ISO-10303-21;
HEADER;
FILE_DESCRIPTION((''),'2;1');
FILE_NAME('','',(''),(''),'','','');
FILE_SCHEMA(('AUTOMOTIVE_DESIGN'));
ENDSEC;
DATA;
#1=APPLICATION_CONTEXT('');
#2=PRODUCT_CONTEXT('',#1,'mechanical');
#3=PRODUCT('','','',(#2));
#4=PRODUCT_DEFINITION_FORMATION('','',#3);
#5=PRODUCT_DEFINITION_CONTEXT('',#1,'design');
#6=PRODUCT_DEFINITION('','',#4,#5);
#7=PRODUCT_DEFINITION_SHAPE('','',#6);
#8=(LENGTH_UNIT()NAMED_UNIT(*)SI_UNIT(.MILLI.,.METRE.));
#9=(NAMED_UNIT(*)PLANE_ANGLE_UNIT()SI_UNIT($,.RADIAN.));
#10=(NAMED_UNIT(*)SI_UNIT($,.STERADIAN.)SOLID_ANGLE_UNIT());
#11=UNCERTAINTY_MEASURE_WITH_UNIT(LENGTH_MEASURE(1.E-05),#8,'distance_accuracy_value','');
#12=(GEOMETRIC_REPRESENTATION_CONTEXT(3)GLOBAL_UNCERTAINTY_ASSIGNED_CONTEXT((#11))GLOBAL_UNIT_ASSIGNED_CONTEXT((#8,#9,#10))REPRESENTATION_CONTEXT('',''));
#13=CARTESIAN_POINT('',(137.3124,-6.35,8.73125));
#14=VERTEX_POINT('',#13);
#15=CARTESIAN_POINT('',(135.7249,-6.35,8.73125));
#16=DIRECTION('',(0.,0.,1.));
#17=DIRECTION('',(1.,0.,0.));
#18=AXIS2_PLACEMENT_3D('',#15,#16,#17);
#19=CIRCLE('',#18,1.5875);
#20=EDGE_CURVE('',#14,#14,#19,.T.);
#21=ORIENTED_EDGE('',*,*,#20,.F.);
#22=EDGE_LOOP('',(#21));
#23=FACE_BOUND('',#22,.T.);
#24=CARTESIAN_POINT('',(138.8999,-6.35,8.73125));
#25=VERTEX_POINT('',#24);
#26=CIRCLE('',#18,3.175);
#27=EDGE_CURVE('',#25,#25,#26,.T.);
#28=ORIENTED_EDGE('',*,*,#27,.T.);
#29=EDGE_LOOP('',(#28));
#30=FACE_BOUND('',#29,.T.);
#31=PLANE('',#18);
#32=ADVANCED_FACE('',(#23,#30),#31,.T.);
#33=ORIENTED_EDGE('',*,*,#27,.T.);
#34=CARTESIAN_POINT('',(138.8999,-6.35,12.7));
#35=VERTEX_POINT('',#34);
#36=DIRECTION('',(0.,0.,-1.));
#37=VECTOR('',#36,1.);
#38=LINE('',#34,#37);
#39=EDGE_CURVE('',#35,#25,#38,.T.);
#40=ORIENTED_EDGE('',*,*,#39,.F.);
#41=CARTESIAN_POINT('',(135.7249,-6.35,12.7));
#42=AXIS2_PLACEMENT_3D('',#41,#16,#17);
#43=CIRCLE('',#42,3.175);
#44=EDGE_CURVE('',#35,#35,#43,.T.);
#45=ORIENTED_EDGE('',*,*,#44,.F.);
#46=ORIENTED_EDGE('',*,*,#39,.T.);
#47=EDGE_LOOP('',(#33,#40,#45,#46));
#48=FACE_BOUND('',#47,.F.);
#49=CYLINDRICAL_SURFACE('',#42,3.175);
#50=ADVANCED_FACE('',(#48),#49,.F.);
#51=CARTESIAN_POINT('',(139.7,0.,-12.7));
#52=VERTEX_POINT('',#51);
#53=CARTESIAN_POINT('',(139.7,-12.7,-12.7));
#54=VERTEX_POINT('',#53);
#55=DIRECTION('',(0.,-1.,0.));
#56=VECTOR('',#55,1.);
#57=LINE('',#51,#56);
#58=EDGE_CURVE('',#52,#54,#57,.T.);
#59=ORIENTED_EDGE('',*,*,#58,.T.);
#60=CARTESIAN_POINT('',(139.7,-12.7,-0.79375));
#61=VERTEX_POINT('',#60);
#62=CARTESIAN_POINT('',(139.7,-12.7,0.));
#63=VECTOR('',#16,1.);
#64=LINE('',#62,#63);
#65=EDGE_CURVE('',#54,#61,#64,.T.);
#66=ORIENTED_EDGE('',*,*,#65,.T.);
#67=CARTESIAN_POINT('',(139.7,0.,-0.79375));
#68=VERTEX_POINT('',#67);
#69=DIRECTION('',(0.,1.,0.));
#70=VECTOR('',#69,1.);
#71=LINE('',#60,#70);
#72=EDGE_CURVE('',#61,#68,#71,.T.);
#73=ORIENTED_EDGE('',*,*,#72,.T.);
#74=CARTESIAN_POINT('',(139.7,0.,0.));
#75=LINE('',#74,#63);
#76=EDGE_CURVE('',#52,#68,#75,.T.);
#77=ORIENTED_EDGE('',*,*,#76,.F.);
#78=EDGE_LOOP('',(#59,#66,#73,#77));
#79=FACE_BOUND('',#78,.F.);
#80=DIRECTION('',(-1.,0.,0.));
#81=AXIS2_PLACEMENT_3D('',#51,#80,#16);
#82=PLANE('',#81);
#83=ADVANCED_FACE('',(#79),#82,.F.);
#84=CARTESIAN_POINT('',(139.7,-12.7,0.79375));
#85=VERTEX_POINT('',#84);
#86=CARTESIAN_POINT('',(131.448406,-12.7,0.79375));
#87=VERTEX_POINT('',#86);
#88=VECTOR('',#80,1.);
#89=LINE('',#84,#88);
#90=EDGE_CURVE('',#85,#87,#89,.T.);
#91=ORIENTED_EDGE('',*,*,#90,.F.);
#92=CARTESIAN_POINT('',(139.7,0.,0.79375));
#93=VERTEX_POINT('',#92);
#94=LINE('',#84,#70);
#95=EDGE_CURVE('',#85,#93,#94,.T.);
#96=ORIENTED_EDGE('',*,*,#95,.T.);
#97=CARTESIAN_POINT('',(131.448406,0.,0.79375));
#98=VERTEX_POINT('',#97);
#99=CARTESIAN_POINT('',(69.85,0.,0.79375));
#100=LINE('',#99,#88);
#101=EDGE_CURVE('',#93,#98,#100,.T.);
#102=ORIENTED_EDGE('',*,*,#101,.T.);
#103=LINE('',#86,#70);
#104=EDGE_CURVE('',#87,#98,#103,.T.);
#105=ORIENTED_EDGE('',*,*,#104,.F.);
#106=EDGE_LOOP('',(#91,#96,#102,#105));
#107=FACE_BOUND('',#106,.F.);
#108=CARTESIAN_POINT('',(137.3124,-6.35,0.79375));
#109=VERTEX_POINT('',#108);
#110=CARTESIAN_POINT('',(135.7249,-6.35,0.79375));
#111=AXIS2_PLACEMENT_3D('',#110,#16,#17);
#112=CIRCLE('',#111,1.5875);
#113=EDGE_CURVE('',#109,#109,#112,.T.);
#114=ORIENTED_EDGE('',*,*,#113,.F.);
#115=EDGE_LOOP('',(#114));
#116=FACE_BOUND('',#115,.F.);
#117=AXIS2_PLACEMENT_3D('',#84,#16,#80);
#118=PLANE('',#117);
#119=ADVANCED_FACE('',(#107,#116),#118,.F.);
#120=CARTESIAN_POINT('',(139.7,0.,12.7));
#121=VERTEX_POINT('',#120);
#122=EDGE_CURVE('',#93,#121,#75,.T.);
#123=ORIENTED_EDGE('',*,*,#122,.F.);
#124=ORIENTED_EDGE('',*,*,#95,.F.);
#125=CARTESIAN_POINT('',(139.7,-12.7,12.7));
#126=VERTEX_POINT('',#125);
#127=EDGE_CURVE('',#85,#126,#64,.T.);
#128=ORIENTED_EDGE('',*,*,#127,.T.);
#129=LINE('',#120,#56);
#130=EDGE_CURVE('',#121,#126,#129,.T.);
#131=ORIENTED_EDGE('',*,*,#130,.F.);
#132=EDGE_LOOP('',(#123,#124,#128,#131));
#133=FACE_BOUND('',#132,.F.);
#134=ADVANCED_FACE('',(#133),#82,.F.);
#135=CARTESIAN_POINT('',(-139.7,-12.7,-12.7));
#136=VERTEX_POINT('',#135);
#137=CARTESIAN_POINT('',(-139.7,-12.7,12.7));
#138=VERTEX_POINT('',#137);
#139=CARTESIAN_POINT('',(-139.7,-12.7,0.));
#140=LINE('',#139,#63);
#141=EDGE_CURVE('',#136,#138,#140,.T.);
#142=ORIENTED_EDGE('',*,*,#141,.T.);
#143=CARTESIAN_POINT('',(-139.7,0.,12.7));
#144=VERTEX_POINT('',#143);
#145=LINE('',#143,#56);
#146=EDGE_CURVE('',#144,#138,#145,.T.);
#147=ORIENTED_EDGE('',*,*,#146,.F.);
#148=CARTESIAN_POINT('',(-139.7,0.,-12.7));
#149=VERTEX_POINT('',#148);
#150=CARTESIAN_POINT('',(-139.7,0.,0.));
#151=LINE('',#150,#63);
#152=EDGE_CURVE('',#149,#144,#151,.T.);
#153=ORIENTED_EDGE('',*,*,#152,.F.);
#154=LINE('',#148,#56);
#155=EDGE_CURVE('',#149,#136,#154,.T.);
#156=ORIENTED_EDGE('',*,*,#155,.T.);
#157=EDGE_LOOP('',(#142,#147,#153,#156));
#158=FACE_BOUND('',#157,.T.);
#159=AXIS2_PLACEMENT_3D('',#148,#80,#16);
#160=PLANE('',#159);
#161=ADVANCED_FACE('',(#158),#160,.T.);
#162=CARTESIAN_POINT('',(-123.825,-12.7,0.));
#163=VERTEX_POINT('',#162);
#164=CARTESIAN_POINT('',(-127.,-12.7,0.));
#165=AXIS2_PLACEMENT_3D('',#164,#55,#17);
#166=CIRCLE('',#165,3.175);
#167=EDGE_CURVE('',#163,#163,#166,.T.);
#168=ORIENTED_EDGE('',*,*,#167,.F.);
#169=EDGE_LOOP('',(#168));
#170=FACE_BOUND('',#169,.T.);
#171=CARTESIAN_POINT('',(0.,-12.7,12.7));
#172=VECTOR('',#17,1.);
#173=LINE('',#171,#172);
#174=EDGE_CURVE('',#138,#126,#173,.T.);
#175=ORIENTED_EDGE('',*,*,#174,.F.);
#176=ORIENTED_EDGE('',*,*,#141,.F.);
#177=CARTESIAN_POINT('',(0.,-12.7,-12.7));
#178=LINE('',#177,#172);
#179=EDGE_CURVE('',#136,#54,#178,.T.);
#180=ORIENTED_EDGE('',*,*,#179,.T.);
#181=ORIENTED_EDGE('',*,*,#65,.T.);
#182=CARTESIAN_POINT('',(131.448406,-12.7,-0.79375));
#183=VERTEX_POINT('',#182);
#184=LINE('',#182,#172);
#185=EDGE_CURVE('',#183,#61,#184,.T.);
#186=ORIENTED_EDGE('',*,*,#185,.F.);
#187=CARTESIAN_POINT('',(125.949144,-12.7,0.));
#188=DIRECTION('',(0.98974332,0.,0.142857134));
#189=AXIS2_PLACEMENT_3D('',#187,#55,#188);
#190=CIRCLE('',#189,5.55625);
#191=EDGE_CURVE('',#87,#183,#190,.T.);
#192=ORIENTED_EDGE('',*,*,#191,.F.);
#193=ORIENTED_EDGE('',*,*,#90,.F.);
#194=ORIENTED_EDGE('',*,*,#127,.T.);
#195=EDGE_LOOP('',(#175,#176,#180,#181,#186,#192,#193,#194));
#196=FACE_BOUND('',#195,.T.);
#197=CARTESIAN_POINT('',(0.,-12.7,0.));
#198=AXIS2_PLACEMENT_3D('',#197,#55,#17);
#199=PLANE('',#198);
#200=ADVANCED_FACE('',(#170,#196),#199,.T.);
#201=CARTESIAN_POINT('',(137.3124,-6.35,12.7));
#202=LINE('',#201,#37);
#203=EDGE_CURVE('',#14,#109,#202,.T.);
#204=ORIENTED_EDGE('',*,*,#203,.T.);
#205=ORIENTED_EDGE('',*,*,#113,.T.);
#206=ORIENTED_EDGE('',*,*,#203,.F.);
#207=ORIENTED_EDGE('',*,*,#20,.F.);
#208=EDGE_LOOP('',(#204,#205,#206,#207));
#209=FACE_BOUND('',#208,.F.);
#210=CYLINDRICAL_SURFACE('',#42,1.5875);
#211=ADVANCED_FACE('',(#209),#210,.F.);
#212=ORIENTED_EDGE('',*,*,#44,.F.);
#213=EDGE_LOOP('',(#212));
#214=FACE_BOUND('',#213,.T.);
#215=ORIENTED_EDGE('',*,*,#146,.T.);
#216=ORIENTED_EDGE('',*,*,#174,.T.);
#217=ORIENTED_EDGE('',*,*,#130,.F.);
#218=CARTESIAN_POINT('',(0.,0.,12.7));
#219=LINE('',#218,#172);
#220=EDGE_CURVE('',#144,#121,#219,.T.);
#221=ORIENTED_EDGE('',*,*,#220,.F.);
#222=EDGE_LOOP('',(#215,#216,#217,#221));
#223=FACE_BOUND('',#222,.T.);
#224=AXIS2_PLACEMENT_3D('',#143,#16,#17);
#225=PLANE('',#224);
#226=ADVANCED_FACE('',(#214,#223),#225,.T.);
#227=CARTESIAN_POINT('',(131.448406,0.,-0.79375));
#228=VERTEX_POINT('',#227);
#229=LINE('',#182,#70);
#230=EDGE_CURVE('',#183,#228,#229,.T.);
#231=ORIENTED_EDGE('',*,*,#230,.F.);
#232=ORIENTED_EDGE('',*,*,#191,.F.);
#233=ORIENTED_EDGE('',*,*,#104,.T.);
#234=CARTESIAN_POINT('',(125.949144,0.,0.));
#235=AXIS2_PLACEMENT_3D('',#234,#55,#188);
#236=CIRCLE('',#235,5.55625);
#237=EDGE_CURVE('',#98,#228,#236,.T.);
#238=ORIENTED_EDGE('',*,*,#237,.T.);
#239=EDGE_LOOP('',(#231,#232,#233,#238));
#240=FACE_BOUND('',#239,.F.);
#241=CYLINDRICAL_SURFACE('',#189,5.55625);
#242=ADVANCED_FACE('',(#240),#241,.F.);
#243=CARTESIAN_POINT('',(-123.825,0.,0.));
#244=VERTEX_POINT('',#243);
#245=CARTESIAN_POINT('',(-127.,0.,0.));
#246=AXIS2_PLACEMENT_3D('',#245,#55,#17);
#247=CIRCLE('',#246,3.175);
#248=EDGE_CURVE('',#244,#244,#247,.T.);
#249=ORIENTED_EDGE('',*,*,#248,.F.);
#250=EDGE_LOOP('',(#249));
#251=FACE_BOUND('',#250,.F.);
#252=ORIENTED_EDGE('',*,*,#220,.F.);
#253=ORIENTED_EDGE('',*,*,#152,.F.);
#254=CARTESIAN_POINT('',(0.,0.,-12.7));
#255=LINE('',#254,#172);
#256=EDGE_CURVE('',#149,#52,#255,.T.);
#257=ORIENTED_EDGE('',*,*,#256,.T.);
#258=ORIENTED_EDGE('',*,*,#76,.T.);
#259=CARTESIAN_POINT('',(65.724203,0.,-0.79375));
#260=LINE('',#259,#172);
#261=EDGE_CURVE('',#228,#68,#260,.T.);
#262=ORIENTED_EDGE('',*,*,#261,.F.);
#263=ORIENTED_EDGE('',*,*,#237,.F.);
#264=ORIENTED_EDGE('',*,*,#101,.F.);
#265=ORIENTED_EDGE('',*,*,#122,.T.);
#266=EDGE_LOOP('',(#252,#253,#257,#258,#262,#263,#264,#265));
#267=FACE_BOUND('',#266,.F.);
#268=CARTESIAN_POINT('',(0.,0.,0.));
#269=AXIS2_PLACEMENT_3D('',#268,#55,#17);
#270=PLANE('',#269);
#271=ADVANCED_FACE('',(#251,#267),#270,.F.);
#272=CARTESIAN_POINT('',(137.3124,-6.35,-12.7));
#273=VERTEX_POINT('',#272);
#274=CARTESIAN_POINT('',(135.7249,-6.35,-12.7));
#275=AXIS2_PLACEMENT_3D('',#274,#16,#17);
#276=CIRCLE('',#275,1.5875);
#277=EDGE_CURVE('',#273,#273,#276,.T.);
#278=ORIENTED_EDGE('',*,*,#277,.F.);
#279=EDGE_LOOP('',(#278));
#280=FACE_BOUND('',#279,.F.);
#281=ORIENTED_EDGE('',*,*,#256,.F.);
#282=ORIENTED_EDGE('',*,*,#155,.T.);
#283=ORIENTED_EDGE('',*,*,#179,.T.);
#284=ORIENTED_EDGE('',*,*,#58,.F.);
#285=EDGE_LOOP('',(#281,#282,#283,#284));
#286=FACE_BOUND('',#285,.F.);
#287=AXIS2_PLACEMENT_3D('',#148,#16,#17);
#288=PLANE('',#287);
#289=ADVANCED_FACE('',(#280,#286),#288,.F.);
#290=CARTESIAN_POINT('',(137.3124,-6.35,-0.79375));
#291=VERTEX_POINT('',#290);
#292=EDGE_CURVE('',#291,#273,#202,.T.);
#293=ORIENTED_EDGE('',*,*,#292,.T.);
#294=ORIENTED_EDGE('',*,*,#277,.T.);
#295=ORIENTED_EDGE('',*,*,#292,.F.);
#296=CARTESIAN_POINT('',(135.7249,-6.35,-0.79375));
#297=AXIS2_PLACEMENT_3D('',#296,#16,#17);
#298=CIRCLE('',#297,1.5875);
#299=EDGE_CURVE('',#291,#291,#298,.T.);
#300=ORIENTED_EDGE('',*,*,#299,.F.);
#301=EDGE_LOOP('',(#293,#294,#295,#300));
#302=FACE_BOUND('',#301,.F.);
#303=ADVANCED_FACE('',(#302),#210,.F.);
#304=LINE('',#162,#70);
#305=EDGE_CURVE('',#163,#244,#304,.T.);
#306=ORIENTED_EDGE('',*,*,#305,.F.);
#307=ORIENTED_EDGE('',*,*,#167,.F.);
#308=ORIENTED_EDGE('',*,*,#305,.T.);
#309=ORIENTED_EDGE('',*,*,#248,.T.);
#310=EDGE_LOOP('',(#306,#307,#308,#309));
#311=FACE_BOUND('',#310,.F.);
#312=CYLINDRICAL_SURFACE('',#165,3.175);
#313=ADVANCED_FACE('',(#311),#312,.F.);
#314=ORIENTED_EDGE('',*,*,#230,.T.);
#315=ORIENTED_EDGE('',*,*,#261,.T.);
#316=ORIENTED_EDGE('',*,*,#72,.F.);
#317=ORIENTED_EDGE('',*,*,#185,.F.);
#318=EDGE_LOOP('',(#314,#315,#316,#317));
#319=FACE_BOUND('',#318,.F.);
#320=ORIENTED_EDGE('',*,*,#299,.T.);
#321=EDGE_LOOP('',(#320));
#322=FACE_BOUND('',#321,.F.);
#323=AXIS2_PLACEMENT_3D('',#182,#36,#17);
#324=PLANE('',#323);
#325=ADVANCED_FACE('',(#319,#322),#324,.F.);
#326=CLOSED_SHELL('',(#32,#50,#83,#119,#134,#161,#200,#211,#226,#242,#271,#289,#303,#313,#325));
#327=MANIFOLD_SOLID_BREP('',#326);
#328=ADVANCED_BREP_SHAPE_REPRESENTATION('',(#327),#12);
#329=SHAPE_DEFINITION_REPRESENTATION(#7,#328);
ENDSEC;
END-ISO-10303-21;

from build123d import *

# Parameters (mm, degrees)
F0_W     = 279.4
F0_H     = 25.4
F1_DEPTH = 12.7
F3_R     = 1.5875
F4_DEPTH = 25.401
F5_R     = 3.175
F6_DEPTH = 3.96875
F7_DEPTH = 12.701


with BuildPart() as f1:
    # F0 (on Front) → F1 (new body)
    with BuildSketch(Plane.XZ):
        Rectangle(F0_W, F0_H)
    extrude(amount=F1_DEPTH)

    # F3 (on face) → F4 (cut, through all)
    with BuildSketch(Plane.XY.offset(12.7)):
        with Locations((135.7249, -6.35)):
            Circle(F3_R)
    extrude(amount=-F4_DEPTH, mode=Mode.SUBTRACT)

    # F5 (on face) → F6 (cut)
    with BuildSketch(Plane.XY.offset(12.7)):
        with Locations((135.7249, -6.35)):
            Circle(F5_R)
    extrude(amount=-F6_DEPTH, mode=Mode.SUBTRACT)

    # F2 (on face) → F7 (cut, through all)
    with BuildSketch(Plane.XZ.offset(12.7)):
        with BuildLine():
            ThreePointArc((-130.175, 0), (-127, -3.175), (-123.825, 0))
            ThreePointArc((-123.825, 0), (-127, 3.175), (-130.175, 0))
        make_face()
        with BuildLine():
            Line((139.7, 0.79375), (131.448406, 0.79375))
            ThreePointArc((131.448406, 0.79375), (120.392894, 0), (131.448406, -0.79375))
            Line((131.448406, -0.79375), (139.7, -0.79375))
            Line((139.7, -0.79375), (139.7, 0.79375))
        make_face()
    extrude(amount=-F7_DEPTH, mode=Mode.SUBTRACT)


solid = f1.part
